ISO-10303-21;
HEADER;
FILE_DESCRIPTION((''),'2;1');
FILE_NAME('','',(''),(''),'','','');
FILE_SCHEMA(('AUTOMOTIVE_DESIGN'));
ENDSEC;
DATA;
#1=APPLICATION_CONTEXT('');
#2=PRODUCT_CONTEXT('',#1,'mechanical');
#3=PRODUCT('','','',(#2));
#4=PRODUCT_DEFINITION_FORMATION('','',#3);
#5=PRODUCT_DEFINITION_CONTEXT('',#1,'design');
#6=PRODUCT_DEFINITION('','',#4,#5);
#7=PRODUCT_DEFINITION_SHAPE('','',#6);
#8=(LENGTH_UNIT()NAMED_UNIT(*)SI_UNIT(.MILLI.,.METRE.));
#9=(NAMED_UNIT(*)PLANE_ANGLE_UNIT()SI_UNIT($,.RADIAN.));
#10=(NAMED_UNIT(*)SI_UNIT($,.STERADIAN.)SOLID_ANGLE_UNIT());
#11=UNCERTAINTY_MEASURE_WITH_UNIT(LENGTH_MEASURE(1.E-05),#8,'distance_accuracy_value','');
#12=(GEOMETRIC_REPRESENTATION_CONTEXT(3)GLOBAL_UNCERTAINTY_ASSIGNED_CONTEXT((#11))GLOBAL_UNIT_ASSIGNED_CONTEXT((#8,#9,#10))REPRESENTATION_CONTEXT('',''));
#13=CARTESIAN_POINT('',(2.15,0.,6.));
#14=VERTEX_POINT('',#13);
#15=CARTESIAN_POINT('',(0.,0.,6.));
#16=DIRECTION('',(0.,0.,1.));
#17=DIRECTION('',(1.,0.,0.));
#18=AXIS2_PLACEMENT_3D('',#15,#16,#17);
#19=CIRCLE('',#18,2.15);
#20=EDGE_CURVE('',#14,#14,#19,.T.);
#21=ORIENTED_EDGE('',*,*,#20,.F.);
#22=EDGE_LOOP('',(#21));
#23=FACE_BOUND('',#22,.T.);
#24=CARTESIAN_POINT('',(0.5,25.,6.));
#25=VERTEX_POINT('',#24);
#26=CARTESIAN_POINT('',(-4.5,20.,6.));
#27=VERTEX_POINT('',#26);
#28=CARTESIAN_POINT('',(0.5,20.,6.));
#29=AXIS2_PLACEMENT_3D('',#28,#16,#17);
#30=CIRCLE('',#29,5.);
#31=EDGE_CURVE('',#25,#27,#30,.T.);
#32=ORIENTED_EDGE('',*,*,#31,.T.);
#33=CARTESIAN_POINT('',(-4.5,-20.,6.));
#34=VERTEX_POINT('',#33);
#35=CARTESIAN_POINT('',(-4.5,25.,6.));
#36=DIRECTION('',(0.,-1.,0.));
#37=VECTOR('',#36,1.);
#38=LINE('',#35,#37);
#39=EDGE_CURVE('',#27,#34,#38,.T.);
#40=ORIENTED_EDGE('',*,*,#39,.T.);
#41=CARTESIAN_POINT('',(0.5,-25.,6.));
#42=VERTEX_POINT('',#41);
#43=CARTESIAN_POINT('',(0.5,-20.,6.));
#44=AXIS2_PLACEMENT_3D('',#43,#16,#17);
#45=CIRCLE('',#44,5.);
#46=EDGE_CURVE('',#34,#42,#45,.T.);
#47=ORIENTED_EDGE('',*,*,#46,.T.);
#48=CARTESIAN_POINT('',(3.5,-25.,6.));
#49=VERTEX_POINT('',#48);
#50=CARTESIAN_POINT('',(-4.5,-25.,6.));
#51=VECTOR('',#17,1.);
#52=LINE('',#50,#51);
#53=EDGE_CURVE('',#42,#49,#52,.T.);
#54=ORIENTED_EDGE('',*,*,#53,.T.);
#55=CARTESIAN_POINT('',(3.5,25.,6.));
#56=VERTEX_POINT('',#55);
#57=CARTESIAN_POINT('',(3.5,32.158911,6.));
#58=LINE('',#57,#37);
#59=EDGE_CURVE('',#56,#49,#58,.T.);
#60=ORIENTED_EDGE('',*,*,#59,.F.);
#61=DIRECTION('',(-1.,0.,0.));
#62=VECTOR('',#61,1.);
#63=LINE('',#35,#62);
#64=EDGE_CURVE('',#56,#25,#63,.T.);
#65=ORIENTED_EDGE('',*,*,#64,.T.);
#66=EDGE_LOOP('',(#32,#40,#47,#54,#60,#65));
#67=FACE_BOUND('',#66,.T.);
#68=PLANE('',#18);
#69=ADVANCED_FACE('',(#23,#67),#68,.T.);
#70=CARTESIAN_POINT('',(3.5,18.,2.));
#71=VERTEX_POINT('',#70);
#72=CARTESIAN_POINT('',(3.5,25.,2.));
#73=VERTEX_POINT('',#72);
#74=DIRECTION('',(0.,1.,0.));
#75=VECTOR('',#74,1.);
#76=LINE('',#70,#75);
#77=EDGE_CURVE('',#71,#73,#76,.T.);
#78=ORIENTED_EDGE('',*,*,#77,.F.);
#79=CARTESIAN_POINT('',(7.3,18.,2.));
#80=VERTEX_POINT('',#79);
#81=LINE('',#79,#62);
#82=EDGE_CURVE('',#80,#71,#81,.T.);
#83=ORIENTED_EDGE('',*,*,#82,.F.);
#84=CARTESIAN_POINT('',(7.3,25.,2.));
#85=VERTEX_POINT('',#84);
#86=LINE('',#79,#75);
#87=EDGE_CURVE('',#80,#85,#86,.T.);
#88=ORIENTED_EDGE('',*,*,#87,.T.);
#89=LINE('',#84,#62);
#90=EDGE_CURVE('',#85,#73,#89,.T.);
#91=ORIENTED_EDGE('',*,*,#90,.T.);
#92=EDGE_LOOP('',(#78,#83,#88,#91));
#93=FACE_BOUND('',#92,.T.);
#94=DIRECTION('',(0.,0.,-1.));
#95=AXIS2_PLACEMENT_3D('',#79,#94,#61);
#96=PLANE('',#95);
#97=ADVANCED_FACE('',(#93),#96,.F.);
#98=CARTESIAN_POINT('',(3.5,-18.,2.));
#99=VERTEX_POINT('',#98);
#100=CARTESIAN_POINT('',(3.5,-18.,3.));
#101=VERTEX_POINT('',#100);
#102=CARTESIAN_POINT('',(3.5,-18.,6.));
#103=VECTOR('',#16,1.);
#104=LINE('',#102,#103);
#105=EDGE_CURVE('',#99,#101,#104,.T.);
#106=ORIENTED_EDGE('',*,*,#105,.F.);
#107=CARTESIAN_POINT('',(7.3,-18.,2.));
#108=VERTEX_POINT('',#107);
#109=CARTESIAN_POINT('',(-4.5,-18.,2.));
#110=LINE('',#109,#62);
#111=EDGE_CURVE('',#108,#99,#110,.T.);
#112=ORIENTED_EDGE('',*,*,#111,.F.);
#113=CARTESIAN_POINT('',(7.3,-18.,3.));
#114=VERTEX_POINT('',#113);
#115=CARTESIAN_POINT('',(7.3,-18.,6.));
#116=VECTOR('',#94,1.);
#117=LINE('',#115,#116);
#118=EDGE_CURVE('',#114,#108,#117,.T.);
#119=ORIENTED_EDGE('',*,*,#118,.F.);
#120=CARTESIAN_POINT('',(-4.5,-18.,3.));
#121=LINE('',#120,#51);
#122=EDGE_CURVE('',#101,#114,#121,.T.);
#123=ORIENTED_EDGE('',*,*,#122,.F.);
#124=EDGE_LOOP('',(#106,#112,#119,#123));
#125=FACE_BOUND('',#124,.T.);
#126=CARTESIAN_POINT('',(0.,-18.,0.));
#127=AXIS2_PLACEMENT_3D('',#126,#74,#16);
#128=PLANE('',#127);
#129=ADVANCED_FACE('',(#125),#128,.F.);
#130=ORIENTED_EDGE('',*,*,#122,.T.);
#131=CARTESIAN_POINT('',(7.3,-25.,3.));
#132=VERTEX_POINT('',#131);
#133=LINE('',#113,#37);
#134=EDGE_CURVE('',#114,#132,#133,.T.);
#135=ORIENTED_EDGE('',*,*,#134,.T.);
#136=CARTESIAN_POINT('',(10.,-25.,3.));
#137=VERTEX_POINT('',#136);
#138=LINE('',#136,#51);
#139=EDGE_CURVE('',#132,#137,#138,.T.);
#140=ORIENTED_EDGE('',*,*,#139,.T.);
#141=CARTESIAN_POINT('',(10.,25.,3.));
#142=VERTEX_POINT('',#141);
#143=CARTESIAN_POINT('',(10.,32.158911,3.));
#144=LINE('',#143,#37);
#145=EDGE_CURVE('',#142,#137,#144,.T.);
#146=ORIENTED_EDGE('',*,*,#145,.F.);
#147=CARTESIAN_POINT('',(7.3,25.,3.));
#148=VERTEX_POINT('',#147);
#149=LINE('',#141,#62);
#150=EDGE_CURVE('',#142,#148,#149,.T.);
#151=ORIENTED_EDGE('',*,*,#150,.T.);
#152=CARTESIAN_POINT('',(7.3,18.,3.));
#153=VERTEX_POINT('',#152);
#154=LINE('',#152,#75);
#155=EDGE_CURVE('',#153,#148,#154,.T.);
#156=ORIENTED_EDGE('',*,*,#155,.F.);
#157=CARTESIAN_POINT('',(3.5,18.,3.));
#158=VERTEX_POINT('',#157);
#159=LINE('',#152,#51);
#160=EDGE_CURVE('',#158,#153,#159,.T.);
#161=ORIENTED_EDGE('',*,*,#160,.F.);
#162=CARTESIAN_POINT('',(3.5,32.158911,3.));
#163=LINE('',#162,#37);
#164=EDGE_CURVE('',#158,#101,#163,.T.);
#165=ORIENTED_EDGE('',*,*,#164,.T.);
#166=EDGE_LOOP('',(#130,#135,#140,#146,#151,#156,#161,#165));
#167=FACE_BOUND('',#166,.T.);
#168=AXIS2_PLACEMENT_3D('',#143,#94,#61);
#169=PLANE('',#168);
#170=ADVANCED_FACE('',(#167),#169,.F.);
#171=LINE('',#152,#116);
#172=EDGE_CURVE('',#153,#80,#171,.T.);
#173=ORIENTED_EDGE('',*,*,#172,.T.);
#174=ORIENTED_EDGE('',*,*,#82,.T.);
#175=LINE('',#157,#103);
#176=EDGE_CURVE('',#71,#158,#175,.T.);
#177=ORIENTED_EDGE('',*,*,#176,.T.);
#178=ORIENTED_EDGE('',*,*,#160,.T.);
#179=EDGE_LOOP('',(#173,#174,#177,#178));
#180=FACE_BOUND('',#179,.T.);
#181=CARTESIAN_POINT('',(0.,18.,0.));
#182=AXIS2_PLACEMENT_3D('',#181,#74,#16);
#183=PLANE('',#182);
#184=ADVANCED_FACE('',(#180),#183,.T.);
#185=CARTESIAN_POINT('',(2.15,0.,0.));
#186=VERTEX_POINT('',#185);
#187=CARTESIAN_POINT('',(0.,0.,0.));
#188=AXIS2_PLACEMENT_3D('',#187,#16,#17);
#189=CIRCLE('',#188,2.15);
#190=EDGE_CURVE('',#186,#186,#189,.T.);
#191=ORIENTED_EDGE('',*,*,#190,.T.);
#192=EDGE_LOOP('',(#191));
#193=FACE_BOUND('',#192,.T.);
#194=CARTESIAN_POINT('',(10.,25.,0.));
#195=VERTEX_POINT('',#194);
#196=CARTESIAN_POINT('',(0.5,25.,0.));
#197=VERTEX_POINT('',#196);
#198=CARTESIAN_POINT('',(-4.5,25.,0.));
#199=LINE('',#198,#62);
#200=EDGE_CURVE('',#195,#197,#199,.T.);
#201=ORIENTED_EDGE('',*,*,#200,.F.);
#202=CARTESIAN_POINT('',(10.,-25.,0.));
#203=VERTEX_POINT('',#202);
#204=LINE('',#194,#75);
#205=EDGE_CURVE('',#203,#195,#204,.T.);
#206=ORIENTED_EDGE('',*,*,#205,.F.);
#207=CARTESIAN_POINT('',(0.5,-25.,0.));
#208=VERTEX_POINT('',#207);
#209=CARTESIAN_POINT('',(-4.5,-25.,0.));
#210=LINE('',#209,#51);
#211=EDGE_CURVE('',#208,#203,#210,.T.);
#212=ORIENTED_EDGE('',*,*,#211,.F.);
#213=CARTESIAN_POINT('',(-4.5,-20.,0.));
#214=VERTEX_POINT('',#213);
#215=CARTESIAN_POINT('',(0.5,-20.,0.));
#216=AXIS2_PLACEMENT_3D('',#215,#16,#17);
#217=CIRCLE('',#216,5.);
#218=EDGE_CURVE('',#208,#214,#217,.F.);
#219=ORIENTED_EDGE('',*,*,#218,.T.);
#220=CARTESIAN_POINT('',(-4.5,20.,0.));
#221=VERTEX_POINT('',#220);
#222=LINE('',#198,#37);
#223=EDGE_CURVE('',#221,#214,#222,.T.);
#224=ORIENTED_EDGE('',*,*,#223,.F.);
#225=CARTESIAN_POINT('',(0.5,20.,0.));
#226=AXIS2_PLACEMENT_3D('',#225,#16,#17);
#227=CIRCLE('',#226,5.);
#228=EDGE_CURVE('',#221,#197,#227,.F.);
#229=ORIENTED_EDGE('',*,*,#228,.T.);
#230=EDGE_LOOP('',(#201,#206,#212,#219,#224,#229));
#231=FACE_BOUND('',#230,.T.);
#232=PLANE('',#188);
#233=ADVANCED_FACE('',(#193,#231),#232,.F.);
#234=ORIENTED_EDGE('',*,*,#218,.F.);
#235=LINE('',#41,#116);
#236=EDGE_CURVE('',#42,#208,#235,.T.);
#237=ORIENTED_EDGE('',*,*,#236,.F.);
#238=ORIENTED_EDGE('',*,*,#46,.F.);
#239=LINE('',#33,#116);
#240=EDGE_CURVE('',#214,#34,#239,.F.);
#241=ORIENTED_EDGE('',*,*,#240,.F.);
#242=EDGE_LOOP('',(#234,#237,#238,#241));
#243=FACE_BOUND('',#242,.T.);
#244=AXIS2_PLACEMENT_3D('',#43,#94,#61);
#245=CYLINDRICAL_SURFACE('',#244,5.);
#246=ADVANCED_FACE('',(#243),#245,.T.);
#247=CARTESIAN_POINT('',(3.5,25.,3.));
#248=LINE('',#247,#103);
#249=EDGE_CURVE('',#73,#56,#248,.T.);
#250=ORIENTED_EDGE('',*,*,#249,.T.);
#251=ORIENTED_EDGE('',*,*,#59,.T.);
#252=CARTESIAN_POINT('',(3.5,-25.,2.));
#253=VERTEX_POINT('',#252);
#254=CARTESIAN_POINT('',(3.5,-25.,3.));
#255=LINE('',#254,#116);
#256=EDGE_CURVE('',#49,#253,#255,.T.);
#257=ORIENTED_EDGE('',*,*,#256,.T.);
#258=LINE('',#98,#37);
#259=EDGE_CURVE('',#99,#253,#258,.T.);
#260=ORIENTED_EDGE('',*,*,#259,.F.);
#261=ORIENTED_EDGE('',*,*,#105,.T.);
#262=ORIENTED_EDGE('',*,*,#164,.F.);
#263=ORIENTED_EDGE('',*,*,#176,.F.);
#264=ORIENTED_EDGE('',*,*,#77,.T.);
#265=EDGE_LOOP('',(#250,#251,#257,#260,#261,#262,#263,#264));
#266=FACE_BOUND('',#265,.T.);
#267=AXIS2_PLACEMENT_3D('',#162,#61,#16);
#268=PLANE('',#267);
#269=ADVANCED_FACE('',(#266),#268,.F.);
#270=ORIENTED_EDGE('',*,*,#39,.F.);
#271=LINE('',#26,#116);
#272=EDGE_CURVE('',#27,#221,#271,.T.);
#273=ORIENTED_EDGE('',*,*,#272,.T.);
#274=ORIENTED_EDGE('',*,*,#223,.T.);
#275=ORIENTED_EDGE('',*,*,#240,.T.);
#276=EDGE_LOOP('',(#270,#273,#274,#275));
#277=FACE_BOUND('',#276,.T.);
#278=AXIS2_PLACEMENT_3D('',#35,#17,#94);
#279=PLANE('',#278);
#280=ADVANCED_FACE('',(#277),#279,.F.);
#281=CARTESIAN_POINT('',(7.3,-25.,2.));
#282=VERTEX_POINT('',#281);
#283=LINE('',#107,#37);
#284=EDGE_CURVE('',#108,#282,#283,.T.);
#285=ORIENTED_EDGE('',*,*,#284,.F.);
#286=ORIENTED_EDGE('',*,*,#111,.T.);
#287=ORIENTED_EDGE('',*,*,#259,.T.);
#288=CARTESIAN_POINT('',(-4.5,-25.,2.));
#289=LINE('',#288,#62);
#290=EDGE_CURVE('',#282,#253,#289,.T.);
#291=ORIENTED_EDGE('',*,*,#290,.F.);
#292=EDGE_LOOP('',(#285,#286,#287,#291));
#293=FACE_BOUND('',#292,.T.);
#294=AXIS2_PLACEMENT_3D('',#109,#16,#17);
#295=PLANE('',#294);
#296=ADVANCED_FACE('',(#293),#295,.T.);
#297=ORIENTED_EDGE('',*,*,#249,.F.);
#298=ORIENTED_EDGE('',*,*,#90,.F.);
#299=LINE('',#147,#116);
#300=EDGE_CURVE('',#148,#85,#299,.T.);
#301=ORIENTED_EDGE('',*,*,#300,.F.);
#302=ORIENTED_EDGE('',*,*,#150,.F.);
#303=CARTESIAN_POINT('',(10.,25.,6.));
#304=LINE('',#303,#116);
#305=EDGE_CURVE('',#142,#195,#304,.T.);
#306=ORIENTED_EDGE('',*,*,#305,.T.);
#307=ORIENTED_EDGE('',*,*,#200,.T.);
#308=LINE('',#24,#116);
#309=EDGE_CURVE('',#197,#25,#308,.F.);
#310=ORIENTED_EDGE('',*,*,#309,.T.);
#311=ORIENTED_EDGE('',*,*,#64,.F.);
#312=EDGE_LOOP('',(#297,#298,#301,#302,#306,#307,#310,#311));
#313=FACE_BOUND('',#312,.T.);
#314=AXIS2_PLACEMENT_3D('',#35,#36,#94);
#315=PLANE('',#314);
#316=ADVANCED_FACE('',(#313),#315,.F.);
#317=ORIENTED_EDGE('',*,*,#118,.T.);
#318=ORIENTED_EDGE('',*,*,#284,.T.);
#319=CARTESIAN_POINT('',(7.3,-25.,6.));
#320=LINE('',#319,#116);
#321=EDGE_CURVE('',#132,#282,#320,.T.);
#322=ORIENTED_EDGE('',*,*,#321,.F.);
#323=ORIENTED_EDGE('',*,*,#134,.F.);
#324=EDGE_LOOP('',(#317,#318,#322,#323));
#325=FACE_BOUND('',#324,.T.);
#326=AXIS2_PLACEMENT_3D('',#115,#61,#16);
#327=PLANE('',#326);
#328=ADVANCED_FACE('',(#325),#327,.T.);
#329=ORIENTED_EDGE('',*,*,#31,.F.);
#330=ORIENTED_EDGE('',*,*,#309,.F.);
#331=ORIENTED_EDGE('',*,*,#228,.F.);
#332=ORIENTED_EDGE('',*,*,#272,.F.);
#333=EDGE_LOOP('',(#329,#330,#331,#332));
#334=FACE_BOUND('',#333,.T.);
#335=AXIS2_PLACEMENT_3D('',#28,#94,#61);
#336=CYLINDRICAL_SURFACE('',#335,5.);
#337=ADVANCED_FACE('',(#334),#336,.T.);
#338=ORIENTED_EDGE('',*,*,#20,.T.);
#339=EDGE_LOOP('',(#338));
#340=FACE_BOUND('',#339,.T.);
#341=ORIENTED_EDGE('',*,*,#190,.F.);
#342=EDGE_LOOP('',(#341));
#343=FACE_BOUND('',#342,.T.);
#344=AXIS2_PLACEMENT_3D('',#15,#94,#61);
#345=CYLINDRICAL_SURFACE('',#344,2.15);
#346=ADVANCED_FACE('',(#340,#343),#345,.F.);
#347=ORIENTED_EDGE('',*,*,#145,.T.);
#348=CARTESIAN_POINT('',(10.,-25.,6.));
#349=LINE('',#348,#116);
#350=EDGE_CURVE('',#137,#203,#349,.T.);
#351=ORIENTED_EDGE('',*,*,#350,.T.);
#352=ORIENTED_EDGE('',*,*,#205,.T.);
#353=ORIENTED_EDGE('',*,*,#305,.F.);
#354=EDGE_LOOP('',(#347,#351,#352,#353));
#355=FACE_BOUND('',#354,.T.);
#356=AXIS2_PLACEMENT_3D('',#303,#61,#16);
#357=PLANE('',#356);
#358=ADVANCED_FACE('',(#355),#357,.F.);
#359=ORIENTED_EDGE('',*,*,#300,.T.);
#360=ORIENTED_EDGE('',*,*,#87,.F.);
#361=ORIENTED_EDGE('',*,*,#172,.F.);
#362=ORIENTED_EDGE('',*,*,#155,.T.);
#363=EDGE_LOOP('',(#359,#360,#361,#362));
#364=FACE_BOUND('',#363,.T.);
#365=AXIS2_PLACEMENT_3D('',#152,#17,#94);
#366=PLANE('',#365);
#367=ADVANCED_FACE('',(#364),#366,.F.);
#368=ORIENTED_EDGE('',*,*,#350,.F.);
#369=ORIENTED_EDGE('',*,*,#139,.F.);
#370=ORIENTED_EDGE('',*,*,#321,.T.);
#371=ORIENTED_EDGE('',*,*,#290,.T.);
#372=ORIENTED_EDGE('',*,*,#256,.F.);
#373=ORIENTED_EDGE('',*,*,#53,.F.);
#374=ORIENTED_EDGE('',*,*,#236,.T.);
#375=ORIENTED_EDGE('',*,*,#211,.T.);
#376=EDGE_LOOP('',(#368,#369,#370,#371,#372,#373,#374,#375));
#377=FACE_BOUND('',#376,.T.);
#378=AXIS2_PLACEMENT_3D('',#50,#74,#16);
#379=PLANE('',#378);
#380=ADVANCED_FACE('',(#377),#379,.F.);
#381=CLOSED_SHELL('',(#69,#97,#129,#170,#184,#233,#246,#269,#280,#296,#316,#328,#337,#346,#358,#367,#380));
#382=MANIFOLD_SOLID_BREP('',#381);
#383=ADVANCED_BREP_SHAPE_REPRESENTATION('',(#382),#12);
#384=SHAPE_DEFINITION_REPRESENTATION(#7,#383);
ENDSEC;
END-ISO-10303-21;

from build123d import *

# Parameters (mm, degrees)
CROQUIS1_W              = 14.5
CROQUIS1_H              = 50
CROQUIS1_R              = 2.15
SALIENTE_EXTRUIR1_DEPTH = 6
CROQUIS3_W              = 6.5
CROQUIS3_H              = 3
CORTAR_EXTRUIR1_DEPTH   = 50
CROQUIS4_W              = 3.8
CROQUIS4_H              = 1
CORTAR_EXTRUIR2_DEPTH   = 7
CORTAR_EXTRUIR3_START   = -50
CROQUIS4_2_W            = 3.8
CROQUIS4_2_H            = 1
CORTAR_EXTRUIR3_DEPTH   = 7
REDONDEO1_R             = 5


with BuildPart() as part:
    # Croquis1 → Saliente-Extruir1 (new body)
    with BuildSketch(Plane.XY):
        with Locations((2.75, 0)):
            Rectangle(CROQUIS1_W, CROQUIS1_H)
        Circle(CROQUIS1_R, mode=Mode.SUBTRACT)
    extrude(amount=SALIENTE_EXTRUIR1_DEPTH)

    # Croquis3 → Cortar-Extruir1 (cut)
    with BuildSketch(Plane.XZ.offset(25)):
        with Locations((6.75, 4.5)):
            Rectangle(CROQUIS3_W, CROQUIS3_H)
    extrude(amount=-CORTAR_EXTRUIR1_DEPTH, mode=Mode.SUBTRACT)

    # Croquis4 → Cortar-Extruir2 (cut)
    with BuildSketch(Plane(origin=(0, 25, 0), x_dir=(1, 0, 0), z_dir=(0, 1, 0))):
        with Locations((5.4, -2.5)):
            Rectangle(CROQUIS4_W, CROQUIS4_H)
    extrude(amount=-CORTAR_EXTRUIR2_DEPTH, mode=Mode.SUBTRACT)

    # Croquis4<2> → Cortar-Extruir3 (cut)
    with BuildSketch(Plane(origin=(0, 25, 0), x_dir=(1, 0, 0), z_dir=(0, 1, 0)).offset(CORTAR_EXTRUIR3_START)):
        with Locations((5.4, -2.5)):
            Rectangle(CROQUIS4_2_W, CROQUIS4_2_H)
    extrude(amount=CORTAR_EXTRUIR3_DEPTH, mode=Mode.SUBTRACT)

    # Redondeo1
    redondeo1_edges = [part.edges().sort_by_distance(p)[0] for p in [
        (-4.5, 25, 3),
        (-4.5, -25, 3),
    ]]
    fillet(redondeo1_edges, radius=REDONDEO1_R)


solid = part.part
